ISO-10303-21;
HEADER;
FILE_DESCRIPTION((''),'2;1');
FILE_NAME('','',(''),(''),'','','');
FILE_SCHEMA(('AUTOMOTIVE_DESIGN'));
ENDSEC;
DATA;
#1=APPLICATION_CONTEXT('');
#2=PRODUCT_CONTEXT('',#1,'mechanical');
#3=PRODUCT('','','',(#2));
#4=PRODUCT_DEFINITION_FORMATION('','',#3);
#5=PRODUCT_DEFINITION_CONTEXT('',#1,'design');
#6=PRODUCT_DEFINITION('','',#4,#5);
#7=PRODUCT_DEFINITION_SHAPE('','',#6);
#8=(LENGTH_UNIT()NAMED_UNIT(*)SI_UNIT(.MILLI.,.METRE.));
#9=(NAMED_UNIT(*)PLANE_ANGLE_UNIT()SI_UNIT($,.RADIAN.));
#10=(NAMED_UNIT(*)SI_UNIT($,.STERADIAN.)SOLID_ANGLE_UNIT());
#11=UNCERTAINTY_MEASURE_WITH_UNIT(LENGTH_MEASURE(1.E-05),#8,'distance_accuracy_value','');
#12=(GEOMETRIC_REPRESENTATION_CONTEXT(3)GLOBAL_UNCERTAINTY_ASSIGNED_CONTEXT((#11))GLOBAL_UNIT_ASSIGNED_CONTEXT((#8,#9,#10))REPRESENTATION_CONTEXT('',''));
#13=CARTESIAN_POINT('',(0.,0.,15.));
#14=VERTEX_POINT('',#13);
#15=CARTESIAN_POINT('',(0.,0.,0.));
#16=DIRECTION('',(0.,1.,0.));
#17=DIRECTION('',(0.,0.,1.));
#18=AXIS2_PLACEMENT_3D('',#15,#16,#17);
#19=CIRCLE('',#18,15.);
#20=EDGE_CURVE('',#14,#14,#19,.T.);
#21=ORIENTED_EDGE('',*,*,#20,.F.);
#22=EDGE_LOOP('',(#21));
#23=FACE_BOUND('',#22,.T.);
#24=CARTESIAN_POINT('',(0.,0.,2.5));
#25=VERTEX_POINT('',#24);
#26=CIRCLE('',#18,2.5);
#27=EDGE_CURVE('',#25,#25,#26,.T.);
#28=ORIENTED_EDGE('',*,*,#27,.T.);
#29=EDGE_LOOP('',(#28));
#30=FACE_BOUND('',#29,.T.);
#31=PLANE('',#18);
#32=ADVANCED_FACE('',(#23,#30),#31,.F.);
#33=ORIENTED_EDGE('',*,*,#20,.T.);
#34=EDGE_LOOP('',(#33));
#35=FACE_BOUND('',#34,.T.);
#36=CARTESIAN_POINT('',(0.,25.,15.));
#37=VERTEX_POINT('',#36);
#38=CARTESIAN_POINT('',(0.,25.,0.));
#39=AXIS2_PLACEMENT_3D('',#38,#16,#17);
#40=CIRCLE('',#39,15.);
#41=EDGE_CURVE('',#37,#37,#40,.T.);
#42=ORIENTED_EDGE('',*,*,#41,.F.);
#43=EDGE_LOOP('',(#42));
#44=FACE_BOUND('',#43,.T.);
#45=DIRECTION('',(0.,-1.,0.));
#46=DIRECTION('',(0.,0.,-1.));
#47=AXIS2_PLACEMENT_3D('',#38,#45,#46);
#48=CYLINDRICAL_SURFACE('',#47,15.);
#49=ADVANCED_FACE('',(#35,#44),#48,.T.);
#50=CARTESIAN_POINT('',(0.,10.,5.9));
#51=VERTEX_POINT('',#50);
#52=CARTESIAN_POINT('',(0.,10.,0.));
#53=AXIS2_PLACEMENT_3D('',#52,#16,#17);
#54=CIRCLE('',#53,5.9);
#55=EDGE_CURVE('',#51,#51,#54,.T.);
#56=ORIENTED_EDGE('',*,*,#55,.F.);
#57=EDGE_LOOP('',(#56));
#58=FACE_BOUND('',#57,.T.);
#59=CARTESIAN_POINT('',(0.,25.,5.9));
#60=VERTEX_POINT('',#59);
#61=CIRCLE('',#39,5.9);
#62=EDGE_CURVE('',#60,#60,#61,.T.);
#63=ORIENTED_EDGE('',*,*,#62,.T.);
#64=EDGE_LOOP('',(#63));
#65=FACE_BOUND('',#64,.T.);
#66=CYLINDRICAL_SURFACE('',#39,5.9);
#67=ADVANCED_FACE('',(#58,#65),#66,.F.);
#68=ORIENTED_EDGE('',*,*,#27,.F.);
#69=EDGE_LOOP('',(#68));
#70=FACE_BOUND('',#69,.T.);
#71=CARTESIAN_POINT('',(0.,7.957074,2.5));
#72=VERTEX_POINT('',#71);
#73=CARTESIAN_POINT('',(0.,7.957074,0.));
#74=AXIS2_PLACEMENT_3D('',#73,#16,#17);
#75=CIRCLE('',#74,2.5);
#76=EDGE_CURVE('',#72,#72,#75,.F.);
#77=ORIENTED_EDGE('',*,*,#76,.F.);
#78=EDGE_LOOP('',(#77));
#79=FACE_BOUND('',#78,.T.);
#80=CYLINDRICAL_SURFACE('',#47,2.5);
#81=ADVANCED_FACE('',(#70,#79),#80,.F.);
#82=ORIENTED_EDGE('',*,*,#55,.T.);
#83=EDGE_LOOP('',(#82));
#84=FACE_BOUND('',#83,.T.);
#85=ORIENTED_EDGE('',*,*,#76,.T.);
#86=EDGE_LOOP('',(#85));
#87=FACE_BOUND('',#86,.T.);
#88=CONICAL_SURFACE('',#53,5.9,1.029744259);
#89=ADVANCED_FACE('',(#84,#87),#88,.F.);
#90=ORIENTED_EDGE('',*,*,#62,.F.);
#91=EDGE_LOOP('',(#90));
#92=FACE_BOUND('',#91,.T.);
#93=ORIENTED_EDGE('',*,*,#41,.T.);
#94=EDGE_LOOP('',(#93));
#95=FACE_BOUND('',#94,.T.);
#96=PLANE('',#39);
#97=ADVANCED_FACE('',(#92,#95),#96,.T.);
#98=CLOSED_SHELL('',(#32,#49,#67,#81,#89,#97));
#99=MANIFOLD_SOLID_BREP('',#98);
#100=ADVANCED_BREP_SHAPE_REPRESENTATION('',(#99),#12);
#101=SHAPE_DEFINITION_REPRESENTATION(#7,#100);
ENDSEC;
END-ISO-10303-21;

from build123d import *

# Parameters (mm, degrees)
SKETCH1_R               = 15
SKETCH1_R_2             = 2.5
BOSS_EXTRUDE1_DEPTH     = 25
G1_4_TAPPED_HOLE1_D     = 11.8
G1_4_TAPPED_HOLE1_DEPTH = 15
G1_4_TAPPED_HOLE1_TIP   = 3.545077652


with BuildPart() as part:
    # Sketch1 → Boss-Extrude1 (new body)
    with BuildSketch(Plane(origin=(0, 0, 0), x_dir=(1, 0, 0), z_dir=(0, 1, 0))):
        with Locations(Location((0, 0, 0), (0, 0, 270))):
            Circle(SKETCH1_R)
        with Locations(Location((0, 0, 0), (0, 0, 270))):
            Circle(SKETCH1_R_2, mode=Mode.SUBTRACT)
    extrude(amount=BOSS_EXTRUDE1_DEPTH)

    # G1/4 Tapped Hole1
    with Locations(Plane(origin=(0, 25, 0), x_dir=(1, 0, 0), z_dir=(0, 1, 0))):
        with Locations((0, 0)):
            Hole(G1_4_TAPPED_HOLE1_D / 2, depth=G1_4_TAPPED_HOLE1_DEPTH)
            with Locations((0, 0, -(G1_4_TAPPED_HOLE1_DEPTH + G1_4_TAPPED_HOLE1_TIP / 2))):  # 118° drill point
                Cone(0, G1_4_TAPPED_HOLE1_D / 2, G1_4_TAPPED_HOLE1_TIP, mode=Mode.SUBTRACT)


solid = part.part
